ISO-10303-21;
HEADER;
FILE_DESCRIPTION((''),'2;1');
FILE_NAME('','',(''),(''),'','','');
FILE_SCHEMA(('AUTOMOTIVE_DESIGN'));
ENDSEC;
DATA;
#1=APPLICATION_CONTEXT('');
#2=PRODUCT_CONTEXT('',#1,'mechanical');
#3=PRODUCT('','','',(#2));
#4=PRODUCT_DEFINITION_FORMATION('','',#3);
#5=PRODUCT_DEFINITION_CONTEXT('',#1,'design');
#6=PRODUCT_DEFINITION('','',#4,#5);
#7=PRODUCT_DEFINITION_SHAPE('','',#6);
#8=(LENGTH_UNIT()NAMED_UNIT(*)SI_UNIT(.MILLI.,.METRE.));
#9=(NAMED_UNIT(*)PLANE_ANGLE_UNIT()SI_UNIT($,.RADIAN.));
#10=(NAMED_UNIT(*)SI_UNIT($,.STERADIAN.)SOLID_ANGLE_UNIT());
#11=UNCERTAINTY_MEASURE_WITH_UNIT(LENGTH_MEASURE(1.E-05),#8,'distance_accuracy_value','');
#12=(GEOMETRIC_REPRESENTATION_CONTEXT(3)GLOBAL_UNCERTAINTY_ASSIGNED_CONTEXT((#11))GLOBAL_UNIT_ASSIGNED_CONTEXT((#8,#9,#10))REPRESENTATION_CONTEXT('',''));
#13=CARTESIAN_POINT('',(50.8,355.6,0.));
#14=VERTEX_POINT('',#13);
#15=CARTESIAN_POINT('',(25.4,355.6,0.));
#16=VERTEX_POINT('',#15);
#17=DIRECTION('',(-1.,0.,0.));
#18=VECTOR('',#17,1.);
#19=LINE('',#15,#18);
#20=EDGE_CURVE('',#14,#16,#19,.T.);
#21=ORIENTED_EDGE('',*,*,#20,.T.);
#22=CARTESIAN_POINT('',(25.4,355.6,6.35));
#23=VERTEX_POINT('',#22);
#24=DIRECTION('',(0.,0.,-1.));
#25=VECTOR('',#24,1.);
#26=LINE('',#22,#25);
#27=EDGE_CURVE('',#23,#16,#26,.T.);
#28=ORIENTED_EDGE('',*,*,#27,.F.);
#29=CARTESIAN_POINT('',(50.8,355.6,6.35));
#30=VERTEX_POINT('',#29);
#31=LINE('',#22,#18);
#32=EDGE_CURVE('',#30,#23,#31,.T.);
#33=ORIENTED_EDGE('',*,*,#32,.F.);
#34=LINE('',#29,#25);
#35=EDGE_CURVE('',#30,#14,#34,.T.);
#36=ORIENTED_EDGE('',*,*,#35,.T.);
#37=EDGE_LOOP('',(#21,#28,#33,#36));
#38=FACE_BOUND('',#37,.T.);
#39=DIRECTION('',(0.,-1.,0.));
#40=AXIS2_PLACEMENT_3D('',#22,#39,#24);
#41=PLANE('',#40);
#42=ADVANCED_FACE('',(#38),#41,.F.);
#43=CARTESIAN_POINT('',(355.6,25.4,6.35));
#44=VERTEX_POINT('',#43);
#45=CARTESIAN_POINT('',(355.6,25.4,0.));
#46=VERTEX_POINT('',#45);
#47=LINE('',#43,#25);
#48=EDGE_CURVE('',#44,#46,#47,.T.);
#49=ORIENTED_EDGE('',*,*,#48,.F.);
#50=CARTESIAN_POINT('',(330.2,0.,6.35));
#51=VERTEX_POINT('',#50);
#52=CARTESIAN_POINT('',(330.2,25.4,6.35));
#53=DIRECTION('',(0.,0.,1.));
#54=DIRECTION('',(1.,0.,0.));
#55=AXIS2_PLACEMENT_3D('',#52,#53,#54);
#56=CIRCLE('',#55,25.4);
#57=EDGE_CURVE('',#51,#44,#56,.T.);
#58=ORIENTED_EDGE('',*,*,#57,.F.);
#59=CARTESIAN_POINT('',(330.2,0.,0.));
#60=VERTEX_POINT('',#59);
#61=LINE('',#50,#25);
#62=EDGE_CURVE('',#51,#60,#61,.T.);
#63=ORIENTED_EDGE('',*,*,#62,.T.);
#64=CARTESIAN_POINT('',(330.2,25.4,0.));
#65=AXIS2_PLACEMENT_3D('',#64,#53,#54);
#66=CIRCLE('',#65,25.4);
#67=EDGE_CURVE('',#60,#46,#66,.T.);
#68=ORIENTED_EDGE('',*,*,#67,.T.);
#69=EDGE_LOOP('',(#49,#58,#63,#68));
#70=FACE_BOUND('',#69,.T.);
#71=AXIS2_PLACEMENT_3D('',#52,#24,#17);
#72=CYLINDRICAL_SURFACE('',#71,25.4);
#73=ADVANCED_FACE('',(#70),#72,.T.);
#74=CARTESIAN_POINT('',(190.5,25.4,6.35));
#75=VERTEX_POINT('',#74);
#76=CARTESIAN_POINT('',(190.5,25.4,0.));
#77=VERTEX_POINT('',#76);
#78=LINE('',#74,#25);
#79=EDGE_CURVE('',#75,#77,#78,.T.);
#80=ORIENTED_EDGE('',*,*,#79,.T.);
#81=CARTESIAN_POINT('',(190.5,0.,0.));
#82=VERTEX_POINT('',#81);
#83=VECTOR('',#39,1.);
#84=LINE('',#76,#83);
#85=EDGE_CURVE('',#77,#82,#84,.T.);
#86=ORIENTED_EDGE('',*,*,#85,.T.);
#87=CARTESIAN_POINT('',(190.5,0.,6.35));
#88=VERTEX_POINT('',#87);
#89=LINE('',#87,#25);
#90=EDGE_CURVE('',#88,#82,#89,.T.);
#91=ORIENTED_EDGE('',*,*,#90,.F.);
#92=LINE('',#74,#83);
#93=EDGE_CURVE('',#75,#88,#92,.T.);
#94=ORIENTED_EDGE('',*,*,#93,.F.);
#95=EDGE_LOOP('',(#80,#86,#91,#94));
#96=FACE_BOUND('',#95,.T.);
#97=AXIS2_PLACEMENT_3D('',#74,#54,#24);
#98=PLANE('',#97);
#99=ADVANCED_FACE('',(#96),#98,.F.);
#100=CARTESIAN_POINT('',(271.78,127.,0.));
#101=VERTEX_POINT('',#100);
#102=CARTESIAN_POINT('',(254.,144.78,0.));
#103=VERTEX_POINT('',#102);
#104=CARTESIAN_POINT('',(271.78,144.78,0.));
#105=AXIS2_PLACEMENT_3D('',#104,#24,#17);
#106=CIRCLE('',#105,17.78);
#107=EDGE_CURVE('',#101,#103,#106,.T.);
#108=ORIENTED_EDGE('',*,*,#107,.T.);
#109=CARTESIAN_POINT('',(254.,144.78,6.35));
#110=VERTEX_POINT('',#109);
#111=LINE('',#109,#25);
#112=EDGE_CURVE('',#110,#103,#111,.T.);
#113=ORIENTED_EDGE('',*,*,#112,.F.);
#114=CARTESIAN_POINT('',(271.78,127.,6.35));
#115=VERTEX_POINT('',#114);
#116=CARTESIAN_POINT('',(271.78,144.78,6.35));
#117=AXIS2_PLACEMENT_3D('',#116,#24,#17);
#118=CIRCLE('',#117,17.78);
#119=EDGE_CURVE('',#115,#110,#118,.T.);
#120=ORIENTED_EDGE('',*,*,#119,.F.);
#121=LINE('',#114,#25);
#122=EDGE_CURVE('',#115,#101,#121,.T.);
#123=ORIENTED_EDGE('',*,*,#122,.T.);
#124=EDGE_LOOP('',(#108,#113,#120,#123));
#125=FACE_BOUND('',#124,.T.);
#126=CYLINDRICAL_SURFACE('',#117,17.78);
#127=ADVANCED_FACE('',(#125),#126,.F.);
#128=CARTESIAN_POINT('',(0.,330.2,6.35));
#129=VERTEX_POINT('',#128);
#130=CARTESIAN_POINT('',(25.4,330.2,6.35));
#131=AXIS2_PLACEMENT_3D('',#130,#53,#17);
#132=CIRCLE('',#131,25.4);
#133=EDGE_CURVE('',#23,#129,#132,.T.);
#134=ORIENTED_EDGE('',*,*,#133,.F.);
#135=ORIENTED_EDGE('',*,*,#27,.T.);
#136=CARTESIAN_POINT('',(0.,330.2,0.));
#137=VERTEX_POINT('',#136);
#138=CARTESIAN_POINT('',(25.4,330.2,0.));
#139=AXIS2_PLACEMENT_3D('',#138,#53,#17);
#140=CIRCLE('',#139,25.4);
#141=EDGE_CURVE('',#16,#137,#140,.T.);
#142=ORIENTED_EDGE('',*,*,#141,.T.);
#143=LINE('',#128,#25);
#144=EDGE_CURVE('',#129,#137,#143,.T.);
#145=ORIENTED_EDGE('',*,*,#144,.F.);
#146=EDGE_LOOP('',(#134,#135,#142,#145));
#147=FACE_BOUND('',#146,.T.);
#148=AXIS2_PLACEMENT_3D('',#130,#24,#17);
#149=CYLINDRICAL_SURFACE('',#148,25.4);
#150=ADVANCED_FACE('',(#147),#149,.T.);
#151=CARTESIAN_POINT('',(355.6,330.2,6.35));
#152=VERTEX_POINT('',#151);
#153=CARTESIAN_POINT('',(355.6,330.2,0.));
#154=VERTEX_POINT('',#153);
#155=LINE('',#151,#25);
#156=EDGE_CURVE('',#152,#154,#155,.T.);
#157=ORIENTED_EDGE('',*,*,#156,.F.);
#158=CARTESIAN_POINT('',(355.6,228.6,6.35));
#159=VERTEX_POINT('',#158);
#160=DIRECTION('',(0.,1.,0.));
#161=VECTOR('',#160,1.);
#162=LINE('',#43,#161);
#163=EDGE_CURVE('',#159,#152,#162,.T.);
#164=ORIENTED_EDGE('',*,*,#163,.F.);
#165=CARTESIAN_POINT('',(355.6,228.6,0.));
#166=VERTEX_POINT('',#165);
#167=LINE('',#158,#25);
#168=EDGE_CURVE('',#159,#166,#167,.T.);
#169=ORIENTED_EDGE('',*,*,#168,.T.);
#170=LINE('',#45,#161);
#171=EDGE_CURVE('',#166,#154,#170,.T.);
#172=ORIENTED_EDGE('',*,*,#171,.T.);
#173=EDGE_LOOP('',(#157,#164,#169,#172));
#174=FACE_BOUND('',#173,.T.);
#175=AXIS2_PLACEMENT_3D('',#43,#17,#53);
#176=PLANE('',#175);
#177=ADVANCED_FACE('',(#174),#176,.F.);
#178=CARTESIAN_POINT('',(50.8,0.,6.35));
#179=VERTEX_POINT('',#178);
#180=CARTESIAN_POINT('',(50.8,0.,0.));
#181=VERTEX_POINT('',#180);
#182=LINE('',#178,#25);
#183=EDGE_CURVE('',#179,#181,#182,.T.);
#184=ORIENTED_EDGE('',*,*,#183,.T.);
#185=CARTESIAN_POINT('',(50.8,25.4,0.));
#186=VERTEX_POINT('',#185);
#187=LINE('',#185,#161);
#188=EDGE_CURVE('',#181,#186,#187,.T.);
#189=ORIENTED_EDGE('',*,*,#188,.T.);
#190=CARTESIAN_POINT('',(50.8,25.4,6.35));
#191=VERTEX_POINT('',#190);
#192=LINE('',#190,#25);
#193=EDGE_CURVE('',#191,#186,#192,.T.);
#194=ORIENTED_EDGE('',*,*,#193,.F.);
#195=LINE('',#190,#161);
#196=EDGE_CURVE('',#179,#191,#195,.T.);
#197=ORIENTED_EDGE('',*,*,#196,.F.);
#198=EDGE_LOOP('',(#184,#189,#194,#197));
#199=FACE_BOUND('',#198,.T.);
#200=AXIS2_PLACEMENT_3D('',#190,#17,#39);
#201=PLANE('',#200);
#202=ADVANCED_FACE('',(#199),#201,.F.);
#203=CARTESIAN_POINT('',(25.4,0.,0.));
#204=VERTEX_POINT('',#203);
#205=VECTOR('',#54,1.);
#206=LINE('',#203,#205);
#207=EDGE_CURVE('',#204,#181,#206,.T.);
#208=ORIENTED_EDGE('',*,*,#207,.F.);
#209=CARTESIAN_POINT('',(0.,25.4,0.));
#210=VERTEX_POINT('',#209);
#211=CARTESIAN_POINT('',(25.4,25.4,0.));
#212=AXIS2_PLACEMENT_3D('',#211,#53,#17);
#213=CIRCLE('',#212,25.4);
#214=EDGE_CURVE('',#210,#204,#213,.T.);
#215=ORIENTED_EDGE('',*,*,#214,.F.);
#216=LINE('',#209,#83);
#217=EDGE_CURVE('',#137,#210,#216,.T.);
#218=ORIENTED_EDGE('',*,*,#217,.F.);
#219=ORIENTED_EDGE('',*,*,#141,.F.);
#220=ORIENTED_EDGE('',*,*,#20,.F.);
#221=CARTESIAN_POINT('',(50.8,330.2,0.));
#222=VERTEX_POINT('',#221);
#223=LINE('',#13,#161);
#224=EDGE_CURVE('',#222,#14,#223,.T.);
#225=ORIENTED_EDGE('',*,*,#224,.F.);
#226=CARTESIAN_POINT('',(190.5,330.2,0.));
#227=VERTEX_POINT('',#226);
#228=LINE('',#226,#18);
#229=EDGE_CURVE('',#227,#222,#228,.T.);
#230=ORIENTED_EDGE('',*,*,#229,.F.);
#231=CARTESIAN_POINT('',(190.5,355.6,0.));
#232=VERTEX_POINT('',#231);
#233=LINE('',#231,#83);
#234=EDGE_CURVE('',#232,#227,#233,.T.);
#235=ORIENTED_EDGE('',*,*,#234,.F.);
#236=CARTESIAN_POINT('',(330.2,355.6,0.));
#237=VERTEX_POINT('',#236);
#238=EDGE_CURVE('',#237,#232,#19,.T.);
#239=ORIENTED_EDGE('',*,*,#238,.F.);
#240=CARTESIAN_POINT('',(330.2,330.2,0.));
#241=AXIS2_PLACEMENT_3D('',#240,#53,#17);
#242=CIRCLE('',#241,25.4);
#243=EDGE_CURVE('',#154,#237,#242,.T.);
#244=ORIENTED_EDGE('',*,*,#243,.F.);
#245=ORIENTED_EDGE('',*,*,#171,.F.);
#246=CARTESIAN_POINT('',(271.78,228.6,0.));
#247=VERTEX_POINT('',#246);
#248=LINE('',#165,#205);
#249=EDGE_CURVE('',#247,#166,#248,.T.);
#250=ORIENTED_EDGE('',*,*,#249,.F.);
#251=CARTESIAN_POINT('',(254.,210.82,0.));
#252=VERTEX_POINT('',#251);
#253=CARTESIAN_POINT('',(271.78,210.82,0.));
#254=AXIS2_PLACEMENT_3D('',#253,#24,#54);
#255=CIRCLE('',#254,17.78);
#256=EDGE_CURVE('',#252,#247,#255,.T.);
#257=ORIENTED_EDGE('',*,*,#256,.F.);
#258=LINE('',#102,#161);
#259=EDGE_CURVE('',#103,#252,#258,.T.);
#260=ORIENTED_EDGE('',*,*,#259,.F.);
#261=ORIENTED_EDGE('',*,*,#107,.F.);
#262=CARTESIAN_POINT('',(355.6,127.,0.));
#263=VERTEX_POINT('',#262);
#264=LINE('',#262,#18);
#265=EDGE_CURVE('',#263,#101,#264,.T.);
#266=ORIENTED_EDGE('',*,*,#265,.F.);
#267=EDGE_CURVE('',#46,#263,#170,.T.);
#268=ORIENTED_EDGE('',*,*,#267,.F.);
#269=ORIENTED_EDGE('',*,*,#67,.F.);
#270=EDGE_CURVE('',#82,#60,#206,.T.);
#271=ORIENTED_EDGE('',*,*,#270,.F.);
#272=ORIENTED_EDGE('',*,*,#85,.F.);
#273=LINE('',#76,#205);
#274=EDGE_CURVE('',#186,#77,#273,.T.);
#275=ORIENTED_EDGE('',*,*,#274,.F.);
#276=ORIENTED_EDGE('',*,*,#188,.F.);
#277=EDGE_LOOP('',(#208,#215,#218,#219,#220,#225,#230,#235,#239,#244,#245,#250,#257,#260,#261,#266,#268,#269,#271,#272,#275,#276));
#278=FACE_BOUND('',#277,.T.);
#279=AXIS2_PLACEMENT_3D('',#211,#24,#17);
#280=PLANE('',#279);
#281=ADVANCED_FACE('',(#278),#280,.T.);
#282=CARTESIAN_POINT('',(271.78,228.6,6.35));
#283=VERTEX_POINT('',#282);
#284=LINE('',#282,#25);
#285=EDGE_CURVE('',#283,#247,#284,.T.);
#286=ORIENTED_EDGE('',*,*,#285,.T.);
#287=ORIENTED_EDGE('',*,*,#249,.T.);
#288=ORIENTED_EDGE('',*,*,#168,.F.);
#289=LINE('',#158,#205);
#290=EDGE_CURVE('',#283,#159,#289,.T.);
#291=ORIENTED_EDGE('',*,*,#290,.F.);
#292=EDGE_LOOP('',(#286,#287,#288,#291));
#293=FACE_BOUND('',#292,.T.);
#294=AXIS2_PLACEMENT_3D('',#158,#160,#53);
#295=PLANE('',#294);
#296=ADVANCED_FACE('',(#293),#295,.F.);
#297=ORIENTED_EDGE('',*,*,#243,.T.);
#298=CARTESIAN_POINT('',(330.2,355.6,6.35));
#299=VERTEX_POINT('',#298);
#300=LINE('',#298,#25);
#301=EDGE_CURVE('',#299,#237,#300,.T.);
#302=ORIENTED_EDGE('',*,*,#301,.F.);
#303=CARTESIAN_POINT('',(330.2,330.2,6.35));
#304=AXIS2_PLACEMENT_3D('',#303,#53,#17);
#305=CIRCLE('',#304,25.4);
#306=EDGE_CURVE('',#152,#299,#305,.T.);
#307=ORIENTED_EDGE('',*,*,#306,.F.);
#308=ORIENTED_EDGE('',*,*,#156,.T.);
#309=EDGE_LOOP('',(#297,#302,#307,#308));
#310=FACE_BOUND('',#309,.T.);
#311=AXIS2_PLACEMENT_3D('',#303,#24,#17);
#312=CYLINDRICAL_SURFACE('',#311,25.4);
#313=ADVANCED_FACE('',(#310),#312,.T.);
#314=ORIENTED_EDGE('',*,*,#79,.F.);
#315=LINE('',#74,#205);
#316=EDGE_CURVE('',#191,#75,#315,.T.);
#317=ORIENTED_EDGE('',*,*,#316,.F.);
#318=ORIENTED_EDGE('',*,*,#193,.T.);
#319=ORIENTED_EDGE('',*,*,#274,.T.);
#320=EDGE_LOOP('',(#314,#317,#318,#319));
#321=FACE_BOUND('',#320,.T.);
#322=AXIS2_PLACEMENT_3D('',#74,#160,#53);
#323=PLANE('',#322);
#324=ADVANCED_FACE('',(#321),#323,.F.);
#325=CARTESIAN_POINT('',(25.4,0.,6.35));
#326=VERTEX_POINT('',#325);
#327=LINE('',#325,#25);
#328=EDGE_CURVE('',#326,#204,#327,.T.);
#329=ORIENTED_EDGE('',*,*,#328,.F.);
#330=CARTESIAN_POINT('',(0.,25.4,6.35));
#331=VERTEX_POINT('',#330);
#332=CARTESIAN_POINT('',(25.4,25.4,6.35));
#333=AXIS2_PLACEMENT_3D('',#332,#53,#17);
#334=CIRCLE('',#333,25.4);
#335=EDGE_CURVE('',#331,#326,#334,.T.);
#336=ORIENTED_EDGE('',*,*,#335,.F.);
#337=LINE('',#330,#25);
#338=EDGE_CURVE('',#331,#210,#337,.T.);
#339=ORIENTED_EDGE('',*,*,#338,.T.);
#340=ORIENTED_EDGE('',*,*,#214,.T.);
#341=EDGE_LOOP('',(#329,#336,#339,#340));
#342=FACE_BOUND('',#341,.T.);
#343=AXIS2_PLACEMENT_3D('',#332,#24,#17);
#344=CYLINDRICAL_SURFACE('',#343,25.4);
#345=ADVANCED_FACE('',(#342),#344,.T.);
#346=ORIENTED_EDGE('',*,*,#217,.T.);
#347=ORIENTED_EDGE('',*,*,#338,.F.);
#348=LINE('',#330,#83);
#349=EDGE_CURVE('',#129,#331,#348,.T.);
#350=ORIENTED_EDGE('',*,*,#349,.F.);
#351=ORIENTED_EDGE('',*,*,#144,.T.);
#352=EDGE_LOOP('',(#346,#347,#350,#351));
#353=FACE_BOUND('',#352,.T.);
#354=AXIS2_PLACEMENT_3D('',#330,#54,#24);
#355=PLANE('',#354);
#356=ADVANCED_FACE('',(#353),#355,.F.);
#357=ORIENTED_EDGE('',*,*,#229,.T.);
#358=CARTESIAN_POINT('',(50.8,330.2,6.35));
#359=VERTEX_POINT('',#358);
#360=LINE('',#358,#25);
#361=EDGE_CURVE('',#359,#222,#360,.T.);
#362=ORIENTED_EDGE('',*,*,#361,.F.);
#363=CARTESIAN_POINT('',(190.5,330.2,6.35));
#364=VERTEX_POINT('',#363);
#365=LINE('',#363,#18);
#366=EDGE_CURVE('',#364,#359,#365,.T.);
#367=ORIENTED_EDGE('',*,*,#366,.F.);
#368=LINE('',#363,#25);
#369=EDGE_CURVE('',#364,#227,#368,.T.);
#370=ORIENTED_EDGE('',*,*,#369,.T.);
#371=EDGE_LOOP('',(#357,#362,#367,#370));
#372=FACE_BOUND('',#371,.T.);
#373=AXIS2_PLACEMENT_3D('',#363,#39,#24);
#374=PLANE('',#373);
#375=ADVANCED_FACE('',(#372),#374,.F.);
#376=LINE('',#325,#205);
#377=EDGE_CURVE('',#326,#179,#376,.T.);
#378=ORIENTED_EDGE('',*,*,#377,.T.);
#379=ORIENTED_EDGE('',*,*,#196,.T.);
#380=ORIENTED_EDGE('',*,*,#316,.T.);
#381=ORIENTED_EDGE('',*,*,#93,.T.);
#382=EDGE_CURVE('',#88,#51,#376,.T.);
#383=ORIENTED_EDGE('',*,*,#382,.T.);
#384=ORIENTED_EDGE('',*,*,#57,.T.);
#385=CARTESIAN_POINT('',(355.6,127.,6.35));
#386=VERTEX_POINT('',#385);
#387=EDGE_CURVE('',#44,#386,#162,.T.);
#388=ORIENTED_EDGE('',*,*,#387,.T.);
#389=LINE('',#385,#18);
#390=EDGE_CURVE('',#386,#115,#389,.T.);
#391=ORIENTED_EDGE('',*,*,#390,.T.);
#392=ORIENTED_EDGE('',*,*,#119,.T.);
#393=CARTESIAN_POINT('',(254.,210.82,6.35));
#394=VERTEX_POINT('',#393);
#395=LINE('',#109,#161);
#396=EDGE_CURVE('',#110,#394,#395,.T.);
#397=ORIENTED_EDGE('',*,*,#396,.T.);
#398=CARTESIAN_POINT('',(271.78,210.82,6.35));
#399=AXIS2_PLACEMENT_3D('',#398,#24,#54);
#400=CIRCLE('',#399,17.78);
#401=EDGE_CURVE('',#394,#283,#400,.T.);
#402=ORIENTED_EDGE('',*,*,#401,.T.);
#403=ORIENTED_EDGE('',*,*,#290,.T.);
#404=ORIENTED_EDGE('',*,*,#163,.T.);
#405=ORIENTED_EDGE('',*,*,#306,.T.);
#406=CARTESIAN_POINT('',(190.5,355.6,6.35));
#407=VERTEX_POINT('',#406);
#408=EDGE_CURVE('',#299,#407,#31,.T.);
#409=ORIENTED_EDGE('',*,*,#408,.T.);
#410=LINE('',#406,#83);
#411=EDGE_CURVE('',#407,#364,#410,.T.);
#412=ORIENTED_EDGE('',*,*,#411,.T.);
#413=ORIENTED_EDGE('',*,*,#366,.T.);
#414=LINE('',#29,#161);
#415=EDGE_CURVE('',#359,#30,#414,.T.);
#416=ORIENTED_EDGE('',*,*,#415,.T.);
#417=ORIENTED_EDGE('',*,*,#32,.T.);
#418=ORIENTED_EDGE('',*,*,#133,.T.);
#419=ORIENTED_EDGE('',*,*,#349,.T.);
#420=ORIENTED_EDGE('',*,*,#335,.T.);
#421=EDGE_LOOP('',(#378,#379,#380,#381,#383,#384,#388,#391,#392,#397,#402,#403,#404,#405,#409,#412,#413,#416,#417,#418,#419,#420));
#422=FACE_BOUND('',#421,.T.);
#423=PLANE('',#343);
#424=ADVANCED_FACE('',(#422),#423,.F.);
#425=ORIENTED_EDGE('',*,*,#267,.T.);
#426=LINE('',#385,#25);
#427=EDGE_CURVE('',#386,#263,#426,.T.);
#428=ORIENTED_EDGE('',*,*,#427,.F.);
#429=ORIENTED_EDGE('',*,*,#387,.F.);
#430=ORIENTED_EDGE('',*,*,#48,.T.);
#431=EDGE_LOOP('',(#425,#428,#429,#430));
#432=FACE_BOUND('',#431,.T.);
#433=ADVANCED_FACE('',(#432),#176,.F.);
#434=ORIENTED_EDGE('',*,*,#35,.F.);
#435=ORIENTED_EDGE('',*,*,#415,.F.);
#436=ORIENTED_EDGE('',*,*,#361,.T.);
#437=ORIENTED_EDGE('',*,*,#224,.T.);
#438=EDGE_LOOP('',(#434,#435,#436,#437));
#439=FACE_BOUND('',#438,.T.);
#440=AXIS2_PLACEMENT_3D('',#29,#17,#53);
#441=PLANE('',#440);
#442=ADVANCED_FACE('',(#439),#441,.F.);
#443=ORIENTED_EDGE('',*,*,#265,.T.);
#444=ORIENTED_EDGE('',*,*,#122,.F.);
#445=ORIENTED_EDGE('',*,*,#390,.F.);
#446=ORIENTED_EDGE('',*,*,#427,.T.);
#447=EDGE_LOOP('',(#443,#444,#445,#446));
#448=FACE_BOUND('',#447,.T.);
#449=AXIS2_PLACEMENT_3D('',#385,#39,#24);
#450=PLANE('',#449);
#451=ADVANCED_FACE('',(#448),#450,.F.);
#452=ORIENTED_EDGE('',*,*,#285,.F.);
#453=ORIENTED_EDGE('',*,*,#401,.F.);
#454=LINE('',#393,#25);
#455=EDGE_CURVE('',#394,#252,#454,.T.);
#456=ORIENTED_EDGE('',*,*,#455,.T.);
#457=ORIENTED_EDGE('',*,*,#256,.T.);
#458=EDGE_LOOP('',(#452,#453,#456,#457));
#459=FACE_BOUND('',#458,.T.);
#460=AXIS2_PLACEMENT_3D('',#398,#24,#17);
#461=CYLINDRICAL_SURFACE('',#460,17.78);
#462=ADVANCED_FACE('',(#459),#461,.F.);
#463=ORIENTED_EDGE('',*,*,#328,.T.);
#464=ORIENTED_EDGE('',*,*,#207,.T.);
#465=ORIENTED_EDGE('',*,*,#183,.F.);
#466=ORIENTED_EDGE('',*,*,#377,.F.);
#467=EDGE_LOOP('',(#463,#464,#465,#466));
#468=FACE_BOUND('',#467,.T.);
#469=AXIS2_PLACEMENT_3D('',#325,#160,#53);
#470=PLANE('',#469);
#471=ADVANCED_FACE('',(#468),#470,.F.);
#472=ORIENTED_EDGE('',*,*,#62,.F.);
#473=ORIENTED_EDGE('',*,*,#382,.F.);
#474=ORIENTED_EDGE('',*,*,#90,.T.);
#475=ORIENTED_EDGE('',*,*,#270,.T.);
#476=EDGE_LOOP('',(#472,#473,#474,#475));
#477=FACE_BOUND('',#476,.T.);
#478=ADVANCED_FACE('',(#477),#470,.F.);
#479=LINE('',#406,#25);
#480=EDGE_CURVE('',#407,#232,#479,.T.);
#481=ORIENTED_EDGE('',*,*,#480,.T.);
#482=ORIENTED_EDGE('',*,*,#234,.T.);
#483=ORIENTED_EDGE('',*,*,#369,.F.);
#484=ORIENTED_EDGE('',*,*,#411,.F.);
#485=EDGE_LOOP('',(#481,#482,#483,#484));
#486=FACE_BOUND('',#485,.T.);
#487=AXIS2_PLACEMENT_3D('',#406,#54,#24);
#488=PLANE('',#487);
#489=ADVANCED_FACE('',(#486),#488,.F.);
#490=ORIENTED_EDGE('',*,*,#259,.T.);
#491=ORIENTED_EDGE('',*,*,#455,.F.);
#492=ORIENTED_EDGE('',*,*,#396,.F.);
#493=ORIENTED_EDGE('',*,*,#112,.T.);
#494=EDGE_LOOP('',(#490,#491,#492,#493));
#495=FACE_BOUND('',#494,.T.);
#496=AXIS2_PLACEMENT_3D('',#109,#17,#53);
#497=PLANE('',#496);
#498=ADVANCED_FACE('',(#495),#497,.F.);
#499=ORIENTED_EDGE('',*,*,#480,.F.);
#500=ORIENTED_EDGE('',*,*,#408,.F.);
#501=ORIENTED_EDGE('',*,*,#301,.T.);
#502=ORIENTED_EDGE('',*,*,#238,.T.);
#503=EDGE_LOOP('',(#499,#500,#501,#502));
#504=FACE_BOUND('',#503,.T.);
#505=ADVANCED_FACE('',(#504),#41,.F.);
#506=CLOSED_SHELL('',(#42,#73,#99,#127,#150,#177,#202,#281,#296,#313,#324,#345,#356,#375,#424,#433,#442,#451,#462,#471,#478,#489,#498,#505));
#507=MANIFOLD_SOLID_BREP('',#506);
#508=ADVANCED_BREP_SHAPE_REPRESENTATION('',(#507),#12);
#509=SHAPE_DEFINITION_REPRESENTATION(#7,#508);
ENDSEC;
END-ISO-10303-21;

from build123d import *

# Parameters (mm, degrees)
BOSS_EXTRUDE1_DEPTH = 6.35
SKETCH2_W           = 139.7
SKETCH2_H           = 25.4
CUT_EXTRUDE1_DEPTH  = 503.934431611
CUT_EXTRUDE2_DEPTH  = 503.934431611


with BuildPart() as part:
    # Sketch1 → Boss-Extrude1 (new body)
    with BuildSketch(Plane.XY):
        with BuildLine():
            Line((25.4, 0), (330.2, 0))
            ThreePointArc((330.2, 0), (348.160512242, 7.439487758), (355.6, 25.4))
            Line((355.6, 25.4), (355.6, 330.2))
            ThreePointArc((355.6, 330.2), (348.160512242, 348.160512242), (330.2, 355.6))
            Line((330.2, 355.6), (25.4, 355.6))
            ThreePointArc((25.4, 355.6), (7.439487758, 348.160512242), (0, 330.2))
            Line((0, 330.2), (0, 25.4))
            ThreePointArc((0, 25.4), (7.439487758, 7.439487758), (25.4, 0))
        make_face()
    extrude(amount=BOSS_EXTRUDE1_DEPTH)

    # Sketch2 → Cut-Extrude1 (cut, through all)
    with BuildSketch(Plane(origin=(0, 0, 0), x_dir=(-1, 0, 0), z_dir=(0, 0, -1))):
        with Locations((-120.65, 342.9)):
            Rectangle(SKETCH2_W, SKETCH2_H)
        with Locations((-120.65, 12.7)):
            Rectangle(SKETCH2_W, SKETCH2_H)
    extrude(amount=-CUT_EXTRUDE1_DEPTH, mode=Mode.SUBTRACT)

    # Sketch3 → Cut-Extrude2 (cut, through all)
    with BuildSketch(Plane(origin=(0, 0, 0), x_dir=(-1, 0, 0), z_dir=(0, 0, -1))):
        with BuildLine():
            Line((-355.6, 127), (-271.78, 127))
            ThreePointArc((-271.78, 127), (-259.207641431, 132.207641431), (-254, 144.78))
            Line((-254, 144.78), (-254, 210.82))
            ThreePointArc((-254, 210.82), (-259.207641431, 223.392358569), (-271.78, 228.6))
            Line((-271.78, 228.6), (-355.6, 228.6))
            Line((-355.6, 228.6), (-355.6, 127))
        make_face()
    extrude(amount=-CUT_EXTRUDE2_DEPTH, mode=Mode.SUBTRACT)


solid = part.part
